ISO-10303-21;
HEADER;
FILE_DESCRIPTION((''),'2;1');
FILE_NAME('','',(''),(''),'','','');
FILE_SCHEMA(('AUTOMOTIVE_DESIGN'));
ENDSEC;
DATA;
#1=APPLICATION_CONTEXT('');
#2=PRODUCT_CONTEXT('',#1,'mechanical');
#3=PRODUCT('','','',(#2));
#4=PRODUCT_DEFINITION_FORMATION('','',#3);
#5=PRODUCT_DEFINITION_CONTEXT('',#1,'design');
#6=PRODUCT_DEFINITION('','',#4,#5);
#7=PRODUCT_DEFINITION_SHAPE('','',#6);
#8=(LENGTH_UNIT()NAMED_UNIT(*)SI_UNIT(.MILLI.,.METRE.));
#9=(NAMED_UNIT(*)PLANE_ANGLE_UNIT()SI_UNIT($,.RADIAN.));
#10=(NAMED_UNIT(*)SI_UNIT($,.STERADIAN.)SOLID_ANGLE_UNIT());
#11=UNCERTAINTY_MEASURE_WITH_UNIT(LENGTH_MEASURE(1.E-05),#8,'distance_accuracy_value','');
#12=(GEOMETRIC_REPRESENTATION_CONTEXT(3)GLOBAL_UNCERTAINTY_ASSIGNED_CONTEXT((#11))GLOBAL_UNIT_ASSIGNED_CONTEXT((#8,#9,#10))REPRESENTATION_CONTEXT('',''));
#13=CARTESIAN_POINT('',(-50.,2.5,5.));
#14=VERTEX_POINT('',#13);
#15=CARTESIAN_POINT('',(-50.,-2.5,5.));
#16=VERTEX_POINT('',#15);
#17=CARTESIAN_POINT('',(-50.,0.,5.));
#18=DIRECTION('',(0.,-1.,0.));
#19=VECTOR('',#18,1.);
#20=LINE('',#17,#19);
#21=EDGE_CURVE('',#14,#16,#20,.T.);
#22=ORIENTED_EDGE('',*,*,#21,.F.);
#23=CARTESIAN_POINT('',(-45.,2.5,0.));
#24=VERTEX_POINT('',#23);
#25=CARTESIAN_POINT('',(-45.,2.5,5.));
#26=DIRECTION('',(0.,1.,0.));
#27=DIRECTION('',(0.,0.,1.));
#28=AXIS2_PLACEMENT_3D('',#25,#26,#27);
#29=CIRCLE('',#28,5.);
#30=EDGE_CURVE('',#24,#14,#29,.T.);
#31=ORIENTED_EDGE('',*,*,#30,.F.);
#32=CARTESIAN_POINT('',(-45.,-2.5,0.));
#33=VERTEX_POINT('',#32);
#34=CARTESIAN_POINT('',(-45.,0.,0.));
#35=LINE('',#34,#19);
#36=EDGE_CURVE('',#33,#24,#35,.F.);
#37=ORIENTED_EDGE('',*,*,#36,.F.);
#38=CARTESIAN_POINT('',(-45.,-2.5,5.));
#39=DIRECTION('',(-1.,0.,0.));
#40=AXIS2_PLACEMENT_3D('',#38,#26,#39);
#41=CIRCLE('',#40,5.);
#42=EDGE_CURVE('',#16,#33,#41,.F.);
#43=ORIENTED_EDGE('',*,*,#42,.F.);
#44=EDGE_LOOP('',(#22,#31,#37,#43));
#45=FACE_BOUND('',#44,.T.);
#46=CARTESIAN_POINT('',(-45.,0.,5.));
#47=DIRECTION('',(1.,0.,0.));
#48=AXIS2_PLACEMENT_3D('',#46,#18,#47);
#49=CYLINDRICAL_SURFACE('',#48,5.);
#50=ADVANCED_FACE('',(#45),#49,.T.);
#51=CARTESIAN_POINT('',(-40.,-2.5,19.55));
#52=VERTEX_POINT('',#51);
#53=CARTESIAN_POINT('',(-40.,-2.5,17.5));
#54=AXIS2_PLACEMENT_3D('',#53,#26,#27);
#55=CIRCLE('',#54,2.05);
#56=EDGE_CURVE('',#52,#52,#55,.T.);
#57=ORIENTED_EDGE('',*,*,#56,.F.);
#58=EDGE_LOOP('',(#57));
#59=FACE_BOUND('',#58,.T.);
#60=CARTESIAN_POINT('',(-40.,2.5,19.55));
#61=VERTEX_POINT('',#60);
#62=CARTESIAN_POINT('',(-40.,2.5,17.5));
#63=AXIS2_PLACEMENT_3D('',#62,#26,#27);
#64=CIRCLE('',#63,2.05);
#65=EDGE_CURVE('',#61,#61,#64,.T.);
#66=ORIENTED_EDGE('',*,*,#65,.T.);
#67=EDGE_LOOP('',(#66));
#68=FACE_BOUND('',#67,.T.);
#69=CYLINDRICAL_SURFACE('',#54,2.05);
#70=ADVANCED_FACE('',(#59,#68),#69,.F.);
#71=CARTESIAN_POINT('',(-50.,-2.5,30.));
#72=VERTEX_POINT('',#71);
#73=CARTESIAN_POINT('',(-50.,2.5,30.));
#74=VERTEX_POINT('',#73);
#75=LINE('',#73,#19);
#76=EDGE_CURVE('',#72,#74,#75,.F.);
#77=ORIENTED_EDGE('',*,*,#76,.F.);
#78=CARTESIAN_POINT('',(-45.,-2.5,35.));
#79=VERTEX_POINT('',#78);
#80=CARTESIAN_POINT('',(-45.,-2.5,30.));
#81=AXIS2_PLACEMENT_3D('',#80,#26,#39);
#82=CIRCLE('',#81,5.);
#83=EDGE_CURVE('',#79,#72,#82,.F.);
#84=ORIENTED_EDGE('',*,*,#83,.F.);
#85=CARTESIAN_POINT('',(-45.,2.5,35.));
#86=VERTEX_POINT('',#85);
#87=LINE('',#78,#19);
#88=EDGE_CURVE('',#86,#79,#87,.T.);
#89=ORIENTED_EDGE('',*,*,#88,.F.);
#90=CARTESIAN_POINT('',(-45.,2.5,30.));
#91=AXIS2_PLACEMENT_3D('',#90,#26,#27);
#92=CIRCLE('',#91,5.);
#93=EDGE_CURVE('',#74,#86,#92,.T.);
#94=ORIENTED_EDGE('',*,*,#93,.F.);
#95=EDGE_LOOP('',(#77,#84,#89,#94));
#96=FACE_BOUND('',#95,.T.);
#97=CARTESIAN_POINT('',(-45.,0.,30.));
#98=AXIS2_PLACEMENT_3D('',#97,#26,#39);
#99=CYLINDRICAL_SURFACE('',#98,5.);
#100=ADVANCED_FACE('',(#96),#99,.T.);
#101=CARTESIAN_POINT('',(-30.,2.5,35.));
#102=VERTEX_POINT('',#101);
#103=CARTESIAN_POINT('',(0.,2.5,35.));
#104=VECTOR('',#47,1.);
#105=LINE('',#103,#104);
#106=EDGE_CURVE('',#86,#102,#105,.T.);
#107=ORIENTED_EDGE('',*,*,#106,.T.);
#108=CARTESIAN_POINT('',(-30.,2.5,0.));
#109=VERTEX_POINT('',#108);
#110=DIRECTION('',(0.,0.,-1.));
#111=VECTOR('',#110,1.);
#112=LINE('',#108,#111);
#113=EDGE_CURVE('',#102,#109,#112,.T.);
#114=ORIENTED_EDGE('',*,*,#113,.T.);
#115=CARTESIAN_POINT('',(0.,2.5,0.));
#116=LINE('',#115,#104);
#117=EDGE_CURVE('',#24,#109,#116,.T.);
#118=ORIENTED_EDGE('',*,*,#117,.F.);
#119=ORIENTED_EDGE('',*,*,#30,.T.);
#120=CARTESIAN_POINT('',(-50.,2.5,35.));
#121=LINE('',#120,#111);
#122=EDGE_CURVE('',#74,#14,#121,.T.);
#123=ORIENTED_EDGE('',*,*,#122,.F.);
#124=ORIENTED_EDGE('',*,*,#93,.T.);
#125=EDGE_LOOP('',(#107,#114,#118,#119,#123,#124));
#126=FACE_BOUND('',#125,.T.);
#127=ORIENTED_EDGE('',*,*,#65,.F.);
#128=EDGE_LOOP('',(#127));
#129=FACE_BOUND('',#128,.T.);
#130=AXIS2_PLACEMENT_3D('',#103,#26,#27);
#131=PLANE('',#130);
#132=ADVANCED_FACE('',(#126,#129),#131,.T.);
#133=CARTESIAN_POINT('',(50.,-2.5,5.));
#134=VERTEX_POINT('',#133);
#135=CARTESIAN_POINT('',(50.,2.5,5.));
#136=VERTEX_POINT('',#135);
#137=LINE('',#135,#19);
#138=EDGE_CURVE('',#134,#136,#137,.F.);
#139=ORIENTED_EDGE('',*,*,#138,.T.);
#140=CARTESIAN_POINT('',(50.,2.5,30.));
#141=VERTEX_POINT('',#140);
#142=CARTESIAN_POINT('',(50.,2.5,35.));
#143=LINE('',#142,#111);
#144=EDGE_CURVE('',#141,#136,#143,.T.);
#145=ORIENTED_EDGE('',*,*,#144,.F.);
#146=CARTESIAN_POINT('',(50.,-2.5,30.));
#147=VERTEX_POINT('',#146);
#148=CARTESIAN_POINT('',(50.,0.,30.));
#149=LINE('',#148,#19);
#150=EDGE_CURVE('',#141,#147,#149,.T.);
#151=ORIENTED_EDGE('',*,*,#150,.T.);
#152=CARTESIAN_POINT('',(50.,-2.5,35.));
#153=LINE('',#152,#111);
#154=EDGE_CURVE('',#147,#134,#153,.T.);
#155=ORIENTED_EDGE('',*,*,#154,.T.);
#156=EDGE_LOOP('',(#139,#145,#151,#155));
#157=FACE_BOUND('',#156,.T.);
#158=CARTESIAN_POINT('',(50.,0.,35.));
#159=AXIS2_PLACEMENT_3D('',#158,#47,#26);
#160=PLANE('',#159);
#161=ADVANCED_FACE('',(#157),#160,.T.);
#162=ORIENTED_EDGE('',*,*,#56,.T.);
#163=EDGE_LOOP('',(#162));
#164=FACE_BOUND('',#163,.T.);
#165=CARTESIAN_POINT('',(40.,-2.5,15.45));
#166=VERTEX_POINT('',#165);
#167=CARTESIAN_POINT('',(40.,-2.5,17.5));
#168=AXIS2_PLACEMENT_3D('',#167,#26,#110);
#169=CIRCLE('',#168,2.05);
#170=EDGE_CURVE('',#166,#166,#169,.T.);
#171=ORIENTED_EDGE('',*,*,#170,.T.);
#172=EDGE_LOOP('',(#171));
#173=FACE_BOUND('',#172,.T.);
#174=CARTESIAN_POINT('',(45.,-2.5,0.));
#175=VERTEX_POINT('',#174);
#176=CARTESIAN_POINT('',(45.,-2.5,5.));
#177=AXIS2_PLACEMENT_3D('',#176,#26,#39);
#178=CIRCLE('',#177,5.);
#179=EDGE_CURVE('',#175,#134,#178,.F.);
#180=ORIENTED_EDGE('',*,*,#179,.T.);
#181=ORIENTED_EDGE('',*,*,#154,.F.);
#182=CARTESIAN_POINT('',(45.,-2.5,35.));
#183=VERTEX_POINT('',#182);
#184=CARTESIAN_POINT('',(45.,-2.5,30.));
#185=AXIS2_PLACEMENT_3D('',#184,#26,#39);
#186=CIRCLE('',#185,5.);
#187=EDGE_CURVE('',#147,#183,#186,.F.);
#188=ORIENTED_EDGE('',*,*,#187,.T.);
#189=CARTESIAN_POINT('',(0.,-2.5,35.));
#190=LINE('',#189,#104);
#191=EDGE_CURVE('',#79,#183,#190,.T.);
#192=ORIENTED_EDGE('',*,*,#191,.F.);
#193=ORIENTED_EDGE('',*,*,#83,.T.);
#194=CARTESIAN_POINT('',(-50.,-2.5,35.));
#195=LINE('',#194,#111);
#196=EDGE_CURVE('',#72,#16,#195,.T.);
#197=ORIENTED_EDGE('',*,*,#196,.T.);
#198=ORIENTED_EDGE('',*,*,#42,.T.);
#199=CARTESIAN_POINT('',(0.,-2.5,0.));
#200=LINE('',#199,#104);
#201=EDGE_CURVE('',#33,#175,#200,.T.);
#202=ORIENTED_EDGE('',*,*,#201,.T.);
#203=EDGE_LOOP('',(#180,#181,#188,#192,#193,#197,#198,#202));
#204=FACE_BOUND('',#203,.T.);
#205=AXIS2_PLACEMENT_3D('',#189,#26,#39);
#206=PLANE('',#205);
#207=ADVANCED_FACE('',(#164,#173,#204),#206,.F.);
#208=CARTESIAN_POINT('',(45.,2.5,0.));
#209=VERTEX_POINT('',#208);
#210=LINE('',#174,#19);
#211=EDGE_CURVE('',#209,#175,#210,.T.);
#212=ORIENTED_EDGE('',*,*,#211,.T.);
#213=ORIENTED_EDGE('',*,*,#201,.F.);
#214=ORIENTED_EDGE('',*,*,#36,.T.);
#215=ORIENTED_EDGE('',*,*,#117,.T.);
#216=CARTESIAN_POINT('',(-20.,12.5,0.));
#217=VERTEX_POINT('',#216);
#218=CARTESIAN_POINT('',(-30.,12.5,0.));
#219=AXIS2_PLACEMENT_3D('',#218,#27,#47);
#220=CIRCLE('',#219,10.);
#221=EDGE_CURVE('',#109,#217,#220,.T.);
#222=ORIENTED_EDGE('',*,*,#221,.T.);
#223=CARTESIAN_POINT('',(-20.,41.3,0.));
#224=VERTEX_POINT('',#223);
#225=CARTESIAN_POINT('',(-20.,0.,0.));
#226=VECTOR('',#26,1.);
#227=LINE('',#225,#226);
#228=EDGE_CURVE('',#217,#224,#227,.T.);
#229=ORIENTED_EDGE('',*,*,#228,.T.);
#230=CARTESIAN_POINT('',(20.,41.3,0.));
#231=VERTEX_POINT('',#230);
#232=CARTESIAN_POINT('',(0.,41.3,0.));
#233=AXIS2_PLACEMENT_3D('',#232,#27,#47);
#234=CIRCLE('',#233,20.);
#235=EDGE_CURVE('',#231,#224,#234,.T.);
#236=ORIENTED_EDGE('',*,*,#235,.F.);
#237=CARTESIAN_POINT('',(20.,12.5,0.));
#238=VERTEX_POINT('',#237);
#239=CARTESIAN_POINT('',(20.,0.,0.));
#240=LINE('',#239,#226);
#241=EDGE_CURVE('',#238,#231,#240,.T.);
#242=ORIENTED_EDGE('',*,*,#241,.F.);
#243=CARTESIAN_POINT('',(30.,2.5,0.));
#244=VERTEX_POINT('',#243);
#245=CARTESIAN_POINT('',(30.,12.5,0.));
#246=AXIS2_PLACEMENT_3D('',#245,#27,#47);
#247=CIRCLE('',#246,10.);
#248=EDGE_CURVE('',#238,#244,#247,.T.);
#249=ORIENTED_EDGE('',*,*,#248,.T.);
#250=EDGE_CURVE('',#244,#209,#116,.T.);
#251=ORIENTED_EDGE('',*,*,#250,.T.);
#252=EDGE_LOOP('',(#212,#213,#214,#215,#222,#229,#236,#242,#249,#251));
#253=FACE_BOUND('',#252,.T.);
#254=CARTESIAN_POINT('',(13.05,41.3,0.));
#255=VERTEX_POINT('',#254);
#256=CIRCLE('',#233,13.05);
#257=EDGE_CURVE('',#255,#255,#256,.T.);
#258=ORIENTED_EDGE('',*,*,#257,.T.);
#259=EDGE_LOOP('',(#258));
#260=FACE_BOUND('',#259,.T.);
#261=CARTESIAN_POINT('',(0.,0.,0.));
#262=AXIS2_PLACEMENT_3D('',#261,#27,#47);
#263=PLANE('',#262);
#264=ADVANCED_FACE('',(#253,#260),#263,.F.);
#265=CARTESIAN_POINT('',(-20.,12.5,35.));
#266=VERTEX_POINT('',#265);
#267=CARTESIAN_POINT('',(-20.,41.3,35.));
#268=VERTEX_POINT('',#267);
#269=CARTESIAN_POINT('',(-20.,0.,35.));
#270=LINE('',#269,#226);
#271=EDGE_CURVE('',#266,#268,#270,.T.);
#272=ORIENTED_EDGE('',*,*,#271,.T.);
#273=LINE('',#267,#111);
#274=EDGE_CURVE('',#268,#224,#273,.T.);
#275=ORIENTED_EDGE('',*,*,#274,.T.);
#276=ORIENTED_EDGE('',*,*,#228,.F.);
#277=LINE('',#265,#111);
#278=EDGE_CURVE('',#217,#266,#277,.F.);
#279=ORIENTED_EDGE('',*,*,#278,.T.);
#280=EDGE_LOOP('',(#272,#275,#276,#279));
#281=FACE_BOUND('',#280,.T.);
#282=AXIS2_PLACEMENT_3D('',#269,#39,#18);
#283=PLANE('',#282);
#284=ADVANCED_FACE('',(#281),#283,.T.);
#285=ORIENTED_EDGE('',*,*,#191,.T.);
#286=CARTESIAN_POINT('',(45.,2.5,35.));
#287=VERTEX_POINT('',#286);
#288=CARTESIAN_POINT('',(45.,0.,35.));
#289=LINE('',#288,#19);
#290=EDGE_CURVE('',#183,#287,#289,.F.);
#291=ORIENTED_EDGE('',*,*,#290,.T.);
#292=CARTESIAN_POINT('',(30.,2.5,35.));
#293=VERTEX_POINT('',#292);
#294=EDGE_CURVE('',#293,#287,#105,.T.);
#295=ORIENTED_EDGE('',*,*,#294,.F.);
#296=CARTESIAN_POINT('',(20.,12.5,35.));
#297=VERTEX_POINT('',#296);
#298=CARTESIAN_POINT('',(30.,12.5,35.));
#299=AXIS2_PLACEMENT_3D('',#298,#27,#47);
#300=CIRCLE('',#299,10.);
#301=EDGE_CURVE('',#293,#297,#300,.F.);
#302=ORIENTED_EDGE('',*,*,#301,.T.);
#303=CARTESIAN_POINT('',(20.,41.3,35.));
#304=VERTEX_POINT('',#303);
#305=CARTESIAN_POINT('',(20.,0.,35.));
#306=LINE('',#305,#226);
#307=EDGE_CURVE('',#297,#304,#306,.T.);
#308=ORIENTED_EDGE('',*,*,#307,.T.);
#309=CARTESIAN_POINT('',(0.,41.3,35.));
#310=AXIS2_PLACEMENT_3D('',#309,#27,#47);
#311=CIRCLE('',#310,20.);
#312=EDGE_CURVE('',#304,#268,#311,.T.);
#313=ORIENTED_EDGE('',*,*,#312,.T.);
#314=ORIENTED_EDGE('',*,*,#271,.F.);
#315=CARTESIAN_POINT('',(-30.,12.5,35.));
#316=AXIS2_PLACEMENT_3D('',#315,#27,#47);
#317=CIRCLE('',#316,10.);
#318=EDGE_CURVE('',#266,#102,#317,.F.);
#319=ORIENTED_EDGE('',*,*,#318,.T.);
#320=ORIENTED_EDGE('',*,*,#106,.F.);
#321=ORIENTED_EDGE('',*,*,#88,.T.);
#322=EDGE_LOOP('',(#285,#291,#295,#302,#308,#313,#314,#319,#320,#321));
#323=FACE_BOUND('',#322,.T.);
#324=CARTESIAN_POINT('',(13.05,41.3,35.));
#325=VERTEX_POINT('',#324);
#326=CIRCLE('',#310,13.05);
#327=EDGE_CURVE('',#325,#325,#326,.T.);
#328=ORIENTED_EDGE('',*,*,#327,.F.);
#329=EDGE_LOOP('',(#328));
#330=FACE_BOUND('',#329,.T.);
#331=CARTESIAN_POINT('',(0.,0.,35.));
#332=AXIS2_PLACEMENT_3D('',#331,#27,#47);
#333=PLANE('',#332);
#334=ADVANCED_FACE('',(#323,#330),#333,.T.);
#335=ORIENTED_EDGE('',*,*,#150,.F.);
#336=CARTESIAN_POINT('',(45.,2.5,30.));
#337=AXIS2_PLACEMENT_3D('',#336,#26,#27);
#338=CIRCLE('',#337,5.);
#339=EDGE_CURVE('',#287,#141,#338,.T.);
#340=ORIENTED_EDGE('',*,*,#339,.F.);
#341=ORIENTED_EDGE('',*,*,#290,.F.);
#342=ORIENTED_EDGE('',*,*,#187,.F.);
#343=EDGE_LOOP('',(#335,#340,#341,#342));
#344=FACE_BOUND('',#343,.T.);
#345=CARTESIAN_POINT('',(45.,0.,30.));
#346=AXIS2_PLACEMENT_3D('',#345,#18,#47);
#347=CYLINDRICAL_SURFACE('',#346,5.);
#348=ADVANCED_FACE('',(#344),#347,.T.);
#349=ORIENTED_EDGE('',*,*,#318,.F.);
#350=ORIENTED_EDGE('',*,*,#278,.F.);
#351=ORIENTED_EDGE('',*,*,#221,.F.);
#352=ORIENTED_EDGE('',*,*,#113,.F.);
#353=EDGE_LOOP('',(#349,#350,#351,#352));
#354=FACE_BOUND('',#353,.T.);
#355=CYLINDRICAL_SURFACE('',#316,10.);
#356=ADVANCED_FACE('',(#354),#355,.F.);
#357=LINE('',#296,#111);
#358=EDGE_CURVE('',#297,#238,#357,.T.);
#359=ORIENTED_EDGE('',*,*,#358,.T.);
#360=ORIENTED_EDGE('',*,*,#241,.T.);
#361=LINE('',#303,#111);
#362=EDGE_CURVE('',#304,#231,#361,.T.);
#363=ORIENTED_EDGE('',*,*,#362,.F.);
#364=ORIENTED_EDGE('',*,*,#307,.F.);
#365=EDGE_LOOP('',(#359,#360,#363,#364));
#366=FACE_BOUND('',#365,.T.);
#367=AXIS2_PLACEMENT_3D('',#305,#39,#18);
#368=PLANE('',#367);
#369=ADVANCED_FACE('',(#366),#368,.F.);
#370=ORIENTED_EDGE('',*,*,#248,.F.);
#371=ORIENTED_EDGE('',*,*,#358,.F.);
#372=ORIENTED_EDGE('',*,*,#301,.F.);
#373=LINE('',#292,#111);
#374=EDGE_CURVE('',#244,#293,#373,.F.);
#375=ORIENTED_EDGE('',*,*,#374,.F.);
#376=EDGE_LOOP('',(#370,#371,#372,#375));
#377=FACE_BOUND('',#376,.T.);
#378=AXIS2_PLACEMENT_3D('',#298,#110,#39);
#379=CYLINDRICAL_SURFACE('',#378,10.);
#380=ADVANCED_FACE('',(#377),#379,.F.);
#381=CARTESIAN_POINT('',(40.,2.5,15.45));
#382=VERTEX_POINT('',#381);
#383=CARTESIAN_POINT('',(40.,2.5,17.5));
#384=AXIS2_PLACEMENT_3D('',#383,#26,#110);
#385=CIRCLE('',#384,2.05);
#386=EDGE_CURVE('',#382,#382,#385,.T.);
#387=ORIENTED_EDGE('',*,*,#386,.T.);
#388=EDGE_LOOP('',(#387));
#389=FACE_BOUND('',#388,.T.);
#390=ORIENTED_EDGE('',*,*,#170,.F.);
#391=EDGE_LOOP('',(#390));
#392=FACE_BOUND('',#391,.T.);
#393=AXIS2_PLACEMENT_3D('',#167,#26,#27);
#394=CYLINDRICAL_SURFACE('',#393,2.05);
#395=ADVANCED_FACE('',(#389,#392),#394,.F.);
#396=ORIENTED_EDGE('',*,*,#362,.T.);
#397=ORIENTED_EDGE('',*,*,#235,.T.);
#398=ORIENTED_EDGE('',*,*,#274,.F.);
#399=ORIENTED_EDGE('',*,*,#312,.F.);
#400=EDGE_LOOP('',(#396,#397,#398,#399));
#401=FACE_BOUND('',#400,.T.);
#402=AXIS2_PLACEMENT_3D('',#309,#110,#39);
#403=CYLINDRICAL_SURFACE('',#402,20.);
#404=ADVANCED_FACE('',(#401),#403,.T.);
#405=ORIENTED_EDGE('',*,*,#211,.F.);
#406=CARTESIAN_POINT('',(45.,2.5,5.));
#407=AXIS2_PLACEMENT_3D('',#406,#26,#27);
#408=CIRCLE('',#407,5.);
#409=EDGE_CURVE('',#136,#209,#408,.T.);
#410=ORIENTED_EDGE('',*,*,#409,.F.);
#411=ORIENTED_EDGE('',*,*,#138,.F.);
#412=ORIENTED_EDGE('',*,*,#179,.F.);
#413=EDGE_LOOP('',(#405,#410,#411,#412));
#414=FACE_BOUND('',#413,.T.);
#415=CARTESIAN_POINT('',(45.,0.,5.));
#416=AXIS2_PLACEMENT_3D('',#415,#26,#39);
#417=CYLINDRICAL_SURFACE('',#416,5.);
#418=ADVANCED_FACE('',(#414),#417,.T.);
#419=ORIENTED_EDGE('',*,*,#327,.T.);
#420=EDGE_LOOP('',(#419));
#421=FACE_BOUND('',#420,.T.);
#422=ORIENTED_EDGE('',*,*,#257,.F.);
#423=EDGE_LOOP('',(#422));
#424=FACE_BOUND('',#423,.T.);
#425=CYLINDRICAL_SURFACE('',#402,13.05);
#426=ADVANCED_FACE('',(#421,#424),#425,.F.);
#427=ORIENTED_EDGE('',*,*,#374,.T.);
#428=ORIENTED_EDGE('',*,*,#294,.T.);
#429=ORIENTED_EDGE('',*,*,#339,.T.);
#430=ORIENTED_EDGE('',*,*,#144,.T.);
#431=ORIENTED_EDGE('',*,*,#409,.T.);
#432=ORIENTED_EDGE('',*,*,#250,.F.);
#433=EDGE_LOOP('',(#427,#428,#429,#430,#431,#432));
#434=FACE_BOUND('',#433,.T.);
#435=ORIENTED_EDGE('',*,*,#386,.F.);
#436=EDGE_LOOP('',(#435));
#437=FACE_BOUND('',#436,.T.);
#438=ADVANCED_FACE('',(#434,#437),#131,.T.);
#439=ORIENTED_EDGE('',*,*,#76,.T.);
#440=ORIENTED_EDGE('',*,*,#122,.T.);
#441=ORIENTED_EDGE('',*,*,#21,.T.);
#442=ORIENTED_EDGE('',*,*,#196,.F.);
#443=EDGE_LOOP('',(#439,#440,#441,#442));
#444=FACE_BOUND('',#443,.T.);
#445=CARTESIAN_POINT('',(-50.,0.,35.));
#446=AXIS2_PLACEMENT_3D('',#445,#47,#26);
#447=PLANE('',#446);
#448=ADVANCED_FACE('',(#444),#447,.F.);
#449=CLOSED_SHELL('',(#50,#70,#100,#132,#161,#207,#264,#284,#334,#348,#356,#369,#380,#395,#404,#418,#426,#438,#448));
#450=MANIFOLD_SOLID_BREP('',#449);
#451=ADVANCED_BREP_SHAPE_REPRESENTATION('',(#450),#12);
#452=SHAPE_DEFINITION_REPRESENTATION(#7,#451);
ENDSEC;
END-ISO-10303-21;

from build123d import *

# Parameters (mm, degrees)
CROQUIS1_R              = 13.05
SALIENTE_EXTRUIR1_DEPTH = 35
REDONDEO1_R             = 10
REDONDEO2_R             = 5
CROQUIS2_R              = 2.05
CORTAR_EXTRUIR1_DEPTH   = 85.749277283


with BuildPart() as part:
    # Croquis1 → Saliente-Extruir1 (new body)
    with BuildSketch(Plane.XY):
        with BuildLine():
            Line((-20, 2.5), (-20, 41.3))
            ThreePointArc((-20, 41.3), (0, 61.3), (20, 41.3))
            Line((20, 41.3), (20, 2.5))
            Line((20, 2.5), (50, 2.5))
            Line((50, 2.5), (50, -2.5))
            Line((50, -2.5), (-50, -2.5))
            Line((-50, -2.5), (-50, 2.5))
            Line((-50, 2.5), (-20, 2.5))
        make_face()
        with Locations((0, 41.3)):
            Circle(CROQUIS1_R, mode=Mode.SUBTRACT)
    extrude(amount=SALIENTE_EXTRUIR1_DEPTH)

    # Redondeo1
    redondeo1_edges = [part.edges().sort_by_distance(p)[0] for p in [
        (20, 2.5, 17.5),
        (-20, 2.5, 17.5),
    ]]
    fillet(redondeo1_edges, radius=REDONDEO1_R)

    # Redondeo2
    redondeo2_edges = [part.edges().sort_by_distance(p)[0] for p in [
        (50, 0, 0),
        (-50, 0, 0),
        (-50, 0, 35),
        (50, 0, 35),
    ]]
    fillet(redondeo2_edges, radius=REDONDEO2_R)

    # Croquis2 → Cortar-Extruir1 (cut, through all)
    with BuildSketch(Plane(origin=(0, 2.5, 0), x_dir=(1, 0, 0), z_dir=(0, 1, 0))):
        with Locations(Location((-40, -17.5, 0), (0, 0, 270))):
            Circle(CROQUIS2_R)
        with Locations(Location((40, -17.5, 0), (0, 0, 90))):
            Circle(CROQUIS2_R)
    extrude(amount=-CORTAR_EXTRUIR1_DEPTH, mode=Mode.SUBTRACT)


solid = part.part
